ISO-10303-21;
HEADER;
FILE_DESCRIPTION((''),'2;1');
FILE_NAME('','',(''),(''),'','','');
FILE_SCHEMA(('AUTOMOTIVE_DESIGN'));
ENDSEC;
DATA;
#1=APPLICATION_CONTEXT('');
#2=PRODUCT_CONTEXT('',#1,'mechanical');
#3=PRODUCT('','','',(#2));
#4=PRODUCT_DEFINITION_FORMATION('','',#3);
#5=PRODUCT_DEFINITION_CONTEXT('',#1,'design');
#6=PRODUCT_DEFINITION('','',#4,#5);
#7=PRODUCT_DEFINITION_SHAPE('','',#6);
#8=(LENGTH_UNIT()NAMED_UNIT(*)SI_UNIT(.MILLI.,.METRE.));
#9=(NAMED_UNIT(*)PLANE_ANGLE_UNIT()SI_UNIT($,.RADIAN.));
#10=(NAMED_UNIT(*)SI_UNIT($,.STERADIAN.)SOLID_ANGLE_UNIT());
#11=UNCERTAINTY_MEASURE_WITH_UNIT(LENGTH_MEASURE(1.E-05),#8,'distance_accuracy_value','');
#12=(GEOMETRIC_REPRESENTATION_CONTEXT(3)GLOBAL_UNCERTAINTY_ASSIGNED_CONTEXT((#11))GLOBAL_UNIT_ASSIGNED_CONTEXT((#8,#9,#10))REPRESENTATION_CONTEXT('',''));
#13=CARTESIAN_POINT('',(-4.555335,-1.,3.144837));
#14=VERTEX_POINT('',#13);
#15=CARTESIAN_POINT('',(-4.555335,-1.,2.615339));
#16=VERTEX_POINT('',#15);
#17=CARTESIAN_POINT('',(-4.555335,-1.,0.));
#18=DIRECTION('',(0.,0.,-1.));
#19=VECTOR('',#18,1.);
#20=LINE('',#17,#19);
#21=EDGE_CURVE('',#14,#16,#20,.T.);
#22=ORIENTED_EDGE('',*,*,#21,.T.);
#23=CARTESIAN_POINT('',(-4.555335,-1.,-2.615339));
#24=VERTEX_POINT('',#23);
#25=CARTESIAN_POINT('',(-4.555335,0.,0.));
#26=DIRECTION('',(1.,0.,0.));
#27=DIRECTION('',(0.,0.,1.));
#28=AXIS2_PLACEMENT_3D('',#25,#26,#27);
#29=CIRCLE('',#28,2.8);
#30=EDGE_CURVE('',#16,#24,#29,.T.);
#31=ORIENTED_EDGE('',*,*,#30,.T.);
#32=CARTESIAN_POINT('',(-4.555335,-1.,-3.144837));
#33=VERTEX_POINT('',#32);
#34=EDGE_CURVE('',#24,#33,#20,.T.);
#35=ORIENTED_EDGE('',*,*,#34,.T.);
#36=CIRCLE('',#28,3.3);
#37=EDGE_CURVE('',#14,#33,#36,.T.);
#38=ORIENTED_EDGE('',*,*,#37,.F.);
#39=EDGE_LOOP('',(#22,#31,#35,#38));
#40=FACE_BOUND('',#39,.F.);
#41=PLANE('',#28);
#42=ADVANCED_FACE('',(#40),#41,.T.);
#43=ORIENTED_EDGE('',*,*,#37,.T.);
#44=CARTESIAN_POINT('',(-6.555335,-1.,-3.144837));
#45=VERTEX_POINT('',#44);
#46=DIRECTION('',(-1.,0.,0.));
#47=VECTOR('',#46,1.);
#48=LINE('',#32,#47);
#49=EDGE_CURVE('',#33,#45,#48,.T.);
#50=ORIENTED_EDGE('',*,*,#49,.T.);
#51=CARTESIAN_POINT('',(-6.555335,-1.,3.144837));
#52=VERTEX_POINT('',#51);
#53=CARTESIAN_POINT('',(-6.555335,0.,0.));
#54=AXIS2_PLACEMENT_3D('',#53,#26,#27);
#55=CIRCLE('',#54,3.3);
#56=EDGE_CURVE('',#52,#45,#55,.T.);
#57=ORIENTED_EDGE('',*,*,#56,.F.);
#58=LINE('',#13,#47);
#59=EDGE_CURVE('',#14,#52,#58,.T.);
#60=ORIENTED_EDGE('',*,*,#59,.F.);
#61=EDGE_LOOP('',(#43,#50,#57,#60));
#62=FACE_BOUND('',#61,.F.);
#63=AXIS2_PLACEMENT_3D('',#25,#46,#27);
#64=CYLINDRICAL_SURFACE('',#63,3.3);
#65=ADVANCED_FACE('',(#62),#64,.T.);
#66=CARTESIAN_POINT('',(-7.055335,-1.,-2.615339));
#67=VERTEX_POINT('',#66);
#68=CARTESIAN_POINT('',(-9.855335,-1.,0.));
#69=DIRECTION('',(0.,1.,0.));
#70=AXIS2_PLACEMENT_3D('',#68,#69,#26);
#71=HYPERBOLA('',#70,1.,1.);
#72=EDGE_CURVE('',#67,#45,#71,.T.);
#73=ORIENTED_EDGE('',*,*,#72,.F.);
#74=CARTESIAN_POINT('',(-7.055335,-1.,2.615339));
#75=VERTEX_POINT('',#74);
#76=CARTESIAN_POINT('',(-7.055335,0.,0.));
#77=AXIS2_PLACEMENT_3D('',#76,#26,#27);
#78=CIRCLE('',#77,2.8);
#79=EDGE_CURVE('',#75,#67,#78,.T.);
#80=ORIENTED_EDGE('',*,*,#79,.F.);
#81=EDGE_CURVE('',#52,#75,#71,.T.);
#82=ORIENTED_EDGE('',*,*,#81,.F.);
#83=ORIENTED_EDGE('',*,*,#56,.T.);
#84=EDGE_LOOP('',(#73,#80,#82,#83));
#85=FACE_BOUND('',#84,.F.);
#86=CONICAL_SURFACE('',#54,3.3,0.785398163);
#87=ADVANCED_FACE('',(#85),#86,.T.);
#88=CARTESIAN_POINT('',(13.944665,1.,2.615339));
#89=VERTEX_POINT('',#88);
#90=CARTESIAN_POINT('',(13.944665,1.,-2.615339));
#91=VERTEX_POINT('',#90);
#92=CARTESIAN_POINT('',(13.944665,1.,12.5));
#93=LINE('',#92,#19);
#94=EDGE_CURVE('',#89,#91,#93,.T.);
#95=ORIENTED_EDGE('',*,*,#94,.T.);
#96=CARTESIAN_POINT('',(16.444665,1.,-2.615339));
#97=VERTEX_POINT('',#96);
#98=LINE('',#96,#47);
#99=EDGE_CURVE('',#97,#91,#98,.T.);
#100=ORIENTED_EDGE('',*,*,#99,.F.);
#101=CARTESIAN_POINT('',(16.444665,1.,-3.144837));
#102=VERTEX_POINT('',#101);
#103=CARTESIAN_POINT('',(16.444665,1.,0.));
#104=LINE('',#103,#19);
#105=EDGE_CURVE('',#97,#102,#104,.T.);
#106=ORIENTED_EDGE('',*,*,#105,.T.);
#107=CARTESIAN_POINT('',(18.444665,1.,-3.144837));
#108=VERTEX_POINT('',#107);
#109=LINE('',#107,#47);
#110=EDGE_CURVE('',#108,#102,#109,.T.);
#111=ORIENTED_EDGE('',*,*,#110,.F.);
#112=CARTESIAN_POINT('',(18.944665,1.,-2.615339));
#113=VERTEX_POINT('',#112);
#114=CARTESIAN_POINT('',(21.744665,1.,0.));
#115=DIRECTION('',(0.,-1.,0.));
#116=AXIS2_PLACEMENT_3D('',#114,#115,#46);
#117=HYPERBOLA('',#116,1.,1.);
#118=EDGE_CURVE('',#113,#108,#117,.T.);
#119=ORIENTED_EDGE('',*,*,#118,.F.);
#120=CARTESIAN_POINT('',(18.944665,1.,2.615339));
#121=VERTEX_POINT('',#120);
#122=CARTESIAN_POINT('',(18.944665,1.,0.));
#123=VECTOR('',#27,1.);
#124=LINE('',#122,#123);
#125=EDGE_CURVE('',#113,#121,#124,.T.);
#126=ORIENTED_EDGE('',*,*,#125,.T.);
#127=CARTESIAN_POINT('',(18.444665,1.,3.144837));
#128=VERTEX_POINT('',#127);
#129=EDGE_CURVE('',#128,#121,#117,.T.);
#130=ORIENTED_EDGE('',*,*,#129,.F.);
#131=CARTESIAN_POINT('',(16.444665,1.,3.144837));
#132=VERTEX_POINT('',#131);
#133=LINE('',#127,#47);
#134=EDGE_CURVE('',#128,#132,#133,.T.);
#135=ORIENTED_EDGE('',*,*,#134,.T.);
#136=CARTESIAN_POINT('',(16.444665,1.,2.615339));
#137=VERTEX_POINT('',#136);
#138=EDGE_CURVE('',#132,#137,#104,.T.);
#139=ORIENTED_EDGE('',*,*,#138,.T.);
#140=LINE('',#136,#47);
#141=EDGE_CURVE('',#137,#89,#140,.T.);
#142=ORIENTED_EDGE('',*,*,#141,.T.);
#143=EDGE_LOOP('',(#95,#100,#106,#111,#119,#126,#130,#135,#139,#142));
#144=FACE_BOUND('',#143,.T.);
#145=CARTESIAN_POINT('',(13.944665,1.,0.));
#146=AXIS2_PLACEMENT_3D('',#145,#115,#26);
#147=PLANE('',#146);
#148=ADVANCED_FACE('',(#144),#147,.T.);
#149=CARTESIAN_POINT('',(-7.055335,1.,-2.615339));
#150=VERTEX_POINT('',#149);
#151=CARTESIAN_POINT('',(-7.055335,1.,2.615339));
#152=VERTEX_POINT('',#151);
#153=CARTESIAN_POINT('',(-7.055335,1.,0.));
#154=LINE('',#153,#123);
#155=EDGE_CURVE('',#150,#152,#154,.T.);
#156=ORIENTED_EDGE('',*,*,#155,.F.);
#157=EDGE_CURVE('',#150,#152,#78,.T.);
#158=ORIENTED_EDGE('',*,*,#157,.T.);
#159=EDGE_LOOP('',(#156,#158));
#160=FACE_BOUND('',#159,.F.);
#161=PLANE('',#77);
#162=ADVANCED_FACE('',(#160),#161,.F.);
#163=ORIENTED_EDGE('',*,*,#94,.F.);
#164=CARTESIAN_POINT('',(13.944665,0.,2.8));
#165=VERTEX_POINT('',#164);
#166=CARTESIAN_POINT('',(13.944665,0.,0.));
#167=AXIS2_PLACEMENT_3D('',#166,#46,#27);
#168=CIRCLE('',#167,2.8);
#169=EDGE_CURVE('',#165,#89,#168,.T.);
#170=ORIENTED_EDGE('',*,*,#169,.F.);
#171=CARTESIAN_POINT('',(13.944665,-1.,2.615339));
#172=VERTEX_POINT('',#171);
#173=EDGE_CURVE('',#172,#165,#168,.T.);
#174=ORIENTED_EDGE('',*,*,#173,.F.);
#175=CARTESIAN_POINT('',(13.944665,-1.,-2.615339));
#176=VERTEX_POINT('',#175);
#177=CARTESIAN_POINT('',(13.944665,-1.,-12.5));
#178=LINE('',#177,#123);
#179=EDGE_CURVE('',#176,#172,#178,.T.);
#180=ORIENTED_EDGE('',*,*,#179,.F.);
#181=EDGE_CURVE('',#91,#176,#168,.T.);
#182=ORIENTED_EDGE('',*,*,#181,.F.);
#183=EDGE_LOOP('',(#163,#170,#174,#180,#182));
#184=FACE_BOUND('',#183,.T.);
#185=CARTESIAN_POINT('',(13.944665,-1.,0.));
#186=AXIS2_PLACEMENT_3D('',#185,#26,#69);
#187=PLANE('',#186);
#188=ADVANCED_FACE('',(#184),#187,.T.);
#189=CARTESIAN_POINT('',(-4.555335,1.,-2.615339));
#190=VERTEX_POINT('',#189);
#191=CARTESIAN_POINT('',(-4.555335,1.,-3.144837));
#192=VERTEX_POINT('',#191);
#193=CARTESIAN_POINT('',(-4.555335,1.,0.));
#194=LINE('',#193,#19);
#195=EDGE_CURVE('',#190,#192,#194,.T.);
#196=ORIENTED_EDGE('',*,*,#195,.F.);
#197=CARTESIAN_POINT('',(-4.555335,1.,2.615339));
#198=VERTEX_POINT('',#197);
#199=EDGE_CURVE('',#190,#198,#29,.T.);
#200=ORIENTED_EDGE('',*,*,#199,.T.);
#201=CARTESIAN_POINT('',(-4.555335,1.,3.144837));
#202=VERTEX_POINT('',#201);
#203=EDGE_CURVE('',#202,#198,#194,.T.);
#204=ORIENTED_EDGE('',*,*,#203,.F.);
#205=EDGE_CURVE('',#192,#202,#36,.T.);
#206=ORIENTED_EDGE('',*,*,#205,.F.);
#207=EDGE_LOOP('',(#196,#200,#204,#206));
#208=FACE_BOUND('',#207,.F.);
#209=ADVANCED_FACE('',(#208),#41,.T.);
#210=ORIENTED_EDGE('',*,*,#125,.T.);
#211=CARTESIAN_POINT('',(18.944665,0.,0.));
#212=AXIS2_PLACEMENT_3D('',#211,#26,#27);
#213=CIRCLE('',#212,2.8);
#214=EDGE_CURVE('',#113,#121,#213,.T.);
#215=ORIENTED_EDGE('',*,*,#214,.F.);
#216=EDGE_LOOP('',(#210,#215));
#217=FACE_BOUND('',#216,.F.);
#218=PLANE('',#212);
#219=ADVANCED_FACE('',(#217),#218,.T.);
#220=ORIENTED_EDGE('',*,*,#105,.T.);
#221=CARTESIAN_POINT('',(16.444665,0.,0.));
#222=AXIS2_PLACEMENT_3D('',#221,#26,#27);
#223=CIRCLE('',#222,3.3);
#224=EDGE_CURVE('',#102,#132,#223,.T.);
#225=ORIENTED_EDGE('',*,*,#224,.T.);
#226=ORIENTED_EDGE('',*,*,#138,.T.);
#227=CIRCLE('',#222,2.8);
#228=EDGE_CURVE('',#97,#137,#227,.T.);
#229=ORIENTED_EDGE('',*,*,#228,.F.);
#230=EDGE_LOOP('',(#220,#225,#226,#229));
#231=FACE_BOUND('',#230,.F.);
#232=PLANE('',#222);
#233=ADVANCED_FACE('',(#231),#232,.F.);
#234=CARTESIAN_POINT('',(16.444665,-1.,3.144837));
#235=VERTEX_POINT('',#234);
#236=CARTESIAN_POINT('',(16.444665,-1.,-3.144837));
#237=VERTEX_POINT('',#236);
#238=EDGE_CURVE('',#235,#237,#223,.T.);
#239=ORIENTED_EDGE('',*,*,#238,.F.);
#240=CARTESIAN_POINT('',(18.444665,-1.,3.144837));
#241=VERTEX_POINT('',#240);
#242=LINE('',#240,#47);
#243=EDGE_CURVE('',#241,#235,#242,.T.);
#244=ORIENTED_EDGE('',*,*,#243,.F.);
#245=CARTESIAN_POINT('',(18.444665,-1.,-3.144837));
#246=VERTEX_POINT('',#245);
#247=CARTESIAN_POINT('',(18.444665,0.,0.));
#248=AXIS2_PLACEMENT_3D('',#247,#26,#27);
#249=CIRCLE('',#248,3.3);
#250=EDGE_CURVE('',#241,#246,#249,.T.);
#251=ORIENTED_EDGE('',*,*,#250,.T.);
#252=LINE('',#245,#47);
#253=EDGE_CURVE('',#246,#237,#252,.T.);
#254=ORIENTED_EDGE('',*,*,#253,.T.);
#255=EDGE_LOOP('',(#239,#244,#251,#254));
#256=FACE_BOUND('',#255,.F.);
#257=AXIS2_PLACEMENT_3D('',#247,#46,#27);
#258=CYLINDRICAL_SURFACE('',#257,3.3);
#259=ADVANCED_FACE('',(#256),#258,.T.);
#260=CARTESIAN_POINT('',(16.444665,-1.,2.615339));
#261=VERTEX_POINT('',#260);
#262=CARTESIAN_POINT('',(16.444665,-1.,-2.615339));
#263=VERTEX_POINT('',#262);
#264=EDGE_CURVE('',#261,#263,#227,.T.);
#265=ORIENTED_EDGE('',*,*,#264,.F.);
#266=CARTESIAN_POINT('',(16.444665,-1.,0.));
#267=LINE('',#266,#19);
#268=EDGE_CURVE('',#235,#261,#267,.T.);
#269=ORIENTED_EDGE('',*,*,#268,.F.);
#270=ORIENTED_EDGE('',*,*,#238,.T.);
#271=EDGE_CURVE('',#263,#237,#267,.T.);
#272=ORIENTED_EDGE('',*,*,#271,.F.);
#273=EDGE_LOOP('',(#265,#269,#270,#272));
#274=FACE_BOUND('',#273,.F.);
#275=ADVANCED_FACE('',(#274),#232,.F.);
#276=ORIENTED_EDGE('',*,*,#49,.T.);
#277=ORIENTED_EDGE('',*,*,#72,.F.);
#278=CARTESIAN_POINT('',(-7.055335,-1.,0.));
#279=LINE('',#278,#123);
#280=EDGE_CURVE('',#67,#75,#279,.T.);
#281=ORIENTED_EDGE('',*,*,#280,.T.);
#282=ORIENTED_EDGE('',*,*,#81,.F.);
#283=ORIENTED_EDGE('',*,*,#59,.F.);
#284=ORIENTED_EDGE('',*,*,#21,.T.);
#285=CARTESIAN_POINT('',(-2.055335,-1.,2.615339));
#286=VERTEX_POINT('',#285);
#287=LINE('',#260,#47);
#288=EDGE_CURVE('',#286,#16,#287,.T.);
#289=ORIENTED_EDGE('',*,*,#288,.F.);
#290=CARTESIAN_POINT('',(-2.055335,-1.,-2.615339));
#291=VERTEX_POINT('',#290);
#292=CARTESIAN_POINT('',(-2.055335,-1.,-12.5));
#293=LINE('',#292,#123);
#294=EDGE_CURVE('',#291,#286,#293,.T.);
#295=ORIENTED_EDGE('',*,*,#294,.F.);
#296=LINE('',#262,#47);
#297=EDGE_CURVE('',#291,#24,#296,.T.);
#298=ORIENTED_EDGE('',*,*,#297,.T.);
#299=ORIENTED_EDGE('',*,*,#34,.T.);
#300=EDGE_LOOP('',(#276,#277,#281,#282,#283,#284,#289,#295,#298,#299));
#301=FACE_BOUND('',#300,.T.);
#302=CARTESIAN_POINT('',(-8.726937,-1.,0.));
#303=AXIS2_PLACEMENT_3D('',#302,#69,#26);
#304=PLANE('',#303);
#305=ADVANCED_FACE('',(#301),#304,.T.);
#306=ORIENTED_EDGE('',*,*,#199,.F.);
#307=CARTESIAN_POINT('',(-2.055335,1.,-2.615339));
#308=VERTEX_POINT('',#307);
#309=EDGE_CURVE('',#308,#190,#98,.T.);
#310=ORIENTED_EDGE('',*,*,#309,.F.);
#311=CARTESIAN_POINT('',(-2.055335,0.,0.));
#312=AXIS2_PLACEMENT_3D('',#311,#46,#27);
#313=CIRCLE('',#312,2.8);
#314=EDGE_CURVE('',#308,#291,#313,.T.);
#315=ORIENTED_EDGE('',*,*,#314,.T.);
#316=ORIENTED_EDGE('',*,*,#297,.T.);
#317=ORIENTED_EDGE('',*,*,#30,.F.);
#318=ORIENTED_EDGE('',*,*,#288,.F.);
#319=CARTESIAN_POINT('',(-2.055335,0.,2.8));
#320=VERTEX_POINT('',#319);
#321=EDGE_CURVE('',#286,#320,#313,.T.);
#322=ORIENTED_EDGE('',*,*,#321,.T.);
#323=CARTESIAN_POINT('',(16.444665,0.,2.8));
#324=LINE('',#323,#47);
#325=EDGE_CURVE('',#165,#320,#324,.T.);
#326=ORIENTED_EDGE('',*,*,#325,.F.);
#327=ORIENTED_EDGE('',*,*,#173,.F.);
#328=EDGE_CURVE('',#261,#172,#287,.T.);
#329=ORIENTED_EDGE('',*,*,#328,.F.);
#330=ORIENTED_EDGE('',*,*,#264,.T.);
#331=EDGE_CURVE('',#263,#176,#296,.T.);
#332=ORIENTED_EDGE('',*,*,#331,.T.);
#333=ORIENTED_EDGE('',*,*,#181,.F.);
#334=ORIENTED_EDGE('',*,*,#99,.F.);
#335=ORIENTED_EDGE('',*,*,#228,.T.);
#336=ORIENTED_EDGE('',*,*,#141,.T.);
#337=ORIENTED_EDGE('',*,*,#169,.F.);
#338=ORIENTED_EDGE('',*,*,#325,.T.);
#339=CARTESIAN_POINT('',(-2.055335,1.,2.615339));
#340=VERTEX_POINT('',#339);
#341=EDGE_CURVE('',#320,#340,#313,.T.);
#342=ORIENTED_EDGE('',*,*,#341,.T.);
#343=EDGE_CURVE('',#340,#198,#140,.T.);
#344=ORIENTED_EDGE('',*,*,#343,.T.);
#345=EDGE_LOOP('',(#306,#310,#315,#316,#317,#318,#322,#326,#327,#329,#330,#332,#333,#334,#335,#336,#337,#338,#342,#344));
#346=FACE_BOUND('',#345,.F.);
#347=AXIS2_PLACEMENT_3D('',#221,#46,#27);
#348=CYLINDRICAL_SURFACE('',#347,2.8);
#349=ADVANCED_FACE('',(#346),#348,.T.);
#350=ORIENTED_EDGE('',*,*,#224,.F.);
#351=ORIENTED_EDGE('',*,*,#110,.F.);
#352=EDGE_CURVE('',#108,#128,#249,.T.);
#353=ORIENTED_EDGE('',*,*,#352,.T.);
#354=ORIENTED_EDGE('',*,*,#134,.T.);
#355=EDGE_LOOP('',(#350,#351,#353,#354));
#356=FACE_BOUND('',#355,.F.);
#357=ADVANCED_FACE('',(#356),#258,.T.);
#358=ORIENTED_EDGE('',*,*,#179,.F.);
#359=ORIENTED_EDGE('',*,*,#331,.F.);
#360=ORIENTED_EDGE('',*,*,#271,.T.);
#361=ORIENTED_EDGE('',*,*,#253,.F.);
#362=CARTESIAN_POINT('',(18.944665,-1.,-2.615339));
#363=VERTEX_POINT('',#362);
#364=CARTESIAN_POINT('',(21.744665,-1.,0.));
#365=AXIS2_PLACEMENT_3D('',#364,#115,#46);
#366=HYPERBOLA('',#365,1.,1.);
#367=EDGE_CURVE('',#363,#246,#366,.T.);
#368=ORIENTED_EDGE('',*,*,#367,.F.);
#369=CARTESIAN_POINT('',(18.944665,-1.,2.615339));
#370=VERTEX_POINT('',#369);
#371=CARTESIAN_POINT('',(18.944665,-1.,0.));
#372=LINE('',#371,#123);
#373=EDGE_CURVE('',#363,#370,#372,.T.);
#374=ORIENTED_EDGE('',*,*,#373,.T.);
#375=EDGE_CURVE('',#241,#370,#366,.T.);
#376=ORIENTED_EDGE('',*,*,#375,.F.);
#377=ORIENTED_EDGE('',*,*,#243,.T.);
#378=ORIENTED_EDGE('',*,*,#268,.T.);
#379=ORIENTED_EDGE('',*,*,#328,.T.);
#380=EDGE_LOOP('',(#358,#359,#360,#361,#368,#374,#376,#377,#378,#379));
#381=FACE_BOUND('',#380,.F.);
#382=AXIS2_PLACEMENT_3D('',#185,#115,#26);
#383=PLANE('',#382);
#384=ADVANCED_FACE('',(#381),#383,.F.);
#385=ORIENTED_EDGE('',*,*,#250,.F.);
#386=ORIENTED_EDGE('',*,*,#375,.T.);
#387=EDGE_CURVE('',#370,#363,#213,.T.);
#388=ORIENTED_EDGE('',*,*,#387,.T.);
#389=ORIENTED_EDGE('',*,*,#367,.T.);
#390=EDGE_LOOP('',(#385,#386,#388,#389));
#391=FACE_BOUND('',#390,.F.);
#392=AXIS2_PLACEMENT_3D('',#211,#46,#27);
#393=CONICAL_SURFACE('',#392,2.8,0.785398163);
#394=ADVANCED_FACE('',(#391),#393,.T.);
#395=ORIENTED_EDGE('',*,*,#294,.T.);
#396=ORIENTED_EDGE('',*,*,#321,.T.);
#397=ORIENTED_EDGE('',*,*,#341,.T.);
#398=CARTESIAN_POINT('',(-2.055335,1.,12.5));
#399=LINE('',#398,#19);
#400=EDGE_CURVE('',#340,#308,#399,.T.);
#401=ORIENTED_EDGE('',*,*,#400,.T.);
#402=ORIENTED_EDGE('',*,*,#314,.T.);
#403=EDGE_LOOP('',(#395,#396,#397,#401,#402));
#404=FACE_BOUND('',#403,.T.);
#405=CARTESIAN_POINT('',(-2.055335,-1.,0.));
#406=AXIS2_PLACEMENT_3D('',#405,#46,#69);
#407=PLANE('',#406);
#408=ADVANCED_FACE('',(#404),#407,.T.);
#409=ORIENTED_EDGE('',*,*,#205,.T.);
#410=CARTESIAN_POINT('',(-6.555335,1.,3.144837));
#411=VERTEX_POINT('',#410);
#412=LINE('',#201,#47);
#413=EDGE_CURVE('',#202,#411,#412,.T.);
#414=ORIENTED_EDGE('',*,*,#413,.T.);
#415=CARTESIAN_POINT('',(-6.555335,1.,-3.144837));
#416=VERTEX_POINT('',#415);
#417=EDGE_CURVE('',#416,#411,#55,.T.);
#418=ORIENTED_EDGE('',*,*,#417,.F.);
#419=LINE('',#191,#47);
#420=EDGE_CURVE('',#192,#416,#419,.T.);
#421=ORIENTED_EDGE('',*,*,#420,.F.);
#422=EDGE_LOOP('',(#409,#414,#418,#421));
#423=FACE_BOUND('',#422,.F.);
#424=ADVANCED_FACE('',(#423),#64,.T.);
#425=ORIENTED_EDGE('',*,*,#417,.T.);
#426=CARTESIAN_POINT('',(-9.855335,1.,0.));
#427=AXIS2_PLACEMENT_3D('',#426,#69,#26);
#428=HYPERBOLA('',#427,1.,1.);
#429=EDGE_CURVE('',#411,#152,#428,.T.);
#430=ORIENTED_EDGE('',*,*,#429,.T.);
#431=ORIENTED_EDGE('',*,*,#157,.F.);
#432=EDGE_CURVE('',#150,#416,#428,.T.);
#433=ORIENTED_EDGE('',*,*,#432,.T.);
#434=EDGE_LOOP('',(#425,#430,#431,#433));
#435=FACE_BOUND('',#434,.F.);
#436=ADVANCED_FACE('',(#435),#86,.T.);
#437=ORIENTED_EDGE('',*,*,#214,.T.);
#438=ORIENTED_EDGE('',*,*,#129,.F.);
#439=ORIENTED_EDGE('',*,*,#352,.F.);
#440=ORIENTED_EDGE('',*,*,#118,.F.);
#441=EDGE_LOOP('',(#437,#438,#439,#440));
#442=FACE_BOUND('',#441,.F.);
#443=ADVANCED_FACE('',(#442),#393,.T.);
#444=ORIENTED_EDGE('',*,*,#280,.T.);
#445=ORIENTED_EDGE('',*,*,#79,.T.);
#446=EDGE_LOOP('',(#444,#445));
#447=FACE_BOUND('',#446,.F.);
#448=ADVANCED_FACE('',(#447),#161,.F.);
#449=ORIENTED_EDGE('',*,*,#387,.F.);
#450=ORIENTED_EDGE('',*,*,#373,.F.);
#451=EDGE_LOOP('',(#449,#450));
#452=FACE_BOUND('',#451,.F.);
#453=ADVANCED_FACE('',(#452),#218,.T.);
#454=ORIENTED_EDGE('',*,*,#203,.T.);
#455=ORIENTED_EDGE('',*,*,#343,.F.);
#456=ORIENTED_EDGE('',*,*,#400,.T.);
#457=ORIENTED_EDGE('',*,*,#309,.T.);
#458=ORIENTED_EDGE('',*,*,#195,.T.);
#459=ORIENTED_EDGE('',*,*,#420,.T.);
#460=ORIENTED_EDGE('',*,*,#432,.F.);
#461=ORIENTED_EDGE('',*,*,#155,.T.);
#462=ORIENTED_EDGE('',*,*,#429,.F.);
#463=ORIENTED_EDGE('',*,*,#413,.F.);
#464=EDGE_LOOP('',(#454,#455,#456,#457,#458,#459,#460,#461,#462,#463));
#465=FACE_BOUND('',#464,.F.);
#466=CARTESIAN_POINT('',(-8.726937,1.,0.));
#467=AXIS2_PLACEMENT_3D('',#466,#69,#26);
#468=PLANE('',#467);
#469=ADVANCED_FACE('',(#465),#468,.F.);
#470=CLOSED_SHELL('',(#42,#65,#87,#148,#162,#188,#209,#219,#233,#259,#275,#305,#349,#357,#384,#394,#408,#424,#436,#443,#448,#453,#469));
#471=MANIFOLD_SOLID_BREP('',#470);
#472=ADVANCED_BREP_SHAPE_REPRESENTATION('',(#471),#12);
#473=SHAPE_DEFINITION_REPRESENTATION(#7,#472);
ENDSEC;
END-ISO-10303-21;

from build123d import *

# Parameters (mm, degrees)
F2_W     = 6.671602
F2_H     = 2
F2_W_2   = 14.827402
F3_DEPTH = 12.5


with BuildPart() as f1:
    # F0 (on Front) → F1 (revolve)
    with BuildSketch(Plane.XZ):
        Polygon((-7.055335, 2.8), (-7.055335, 0), (18.944665, 0), (18.944665, 2.8), (18.444665, 3.3), (16.444665, 3.3), (16.444665, 2.8), (-4.555335, 2.8), (-4.555335, 3.3), (-6.555335, 3.3), align=None)
    revolve(axis=Axis((5.944665, 0, 0), (1, 0, 0)))

    # F2 (on Top) → F3 (cut, symmetric)
    with BuildSketch(Plane.XY):
        with Locations((-5.391136, 0)):
            Rectangle(F2_W, F2_H)
        with Locations((21.358366, 0)):
            Rectangle(F2_W_2, F2_H)
    extrude(amount=F3_DEPTH, both=True, mode=Mode.SUBTRACT)


solid = f1.part
